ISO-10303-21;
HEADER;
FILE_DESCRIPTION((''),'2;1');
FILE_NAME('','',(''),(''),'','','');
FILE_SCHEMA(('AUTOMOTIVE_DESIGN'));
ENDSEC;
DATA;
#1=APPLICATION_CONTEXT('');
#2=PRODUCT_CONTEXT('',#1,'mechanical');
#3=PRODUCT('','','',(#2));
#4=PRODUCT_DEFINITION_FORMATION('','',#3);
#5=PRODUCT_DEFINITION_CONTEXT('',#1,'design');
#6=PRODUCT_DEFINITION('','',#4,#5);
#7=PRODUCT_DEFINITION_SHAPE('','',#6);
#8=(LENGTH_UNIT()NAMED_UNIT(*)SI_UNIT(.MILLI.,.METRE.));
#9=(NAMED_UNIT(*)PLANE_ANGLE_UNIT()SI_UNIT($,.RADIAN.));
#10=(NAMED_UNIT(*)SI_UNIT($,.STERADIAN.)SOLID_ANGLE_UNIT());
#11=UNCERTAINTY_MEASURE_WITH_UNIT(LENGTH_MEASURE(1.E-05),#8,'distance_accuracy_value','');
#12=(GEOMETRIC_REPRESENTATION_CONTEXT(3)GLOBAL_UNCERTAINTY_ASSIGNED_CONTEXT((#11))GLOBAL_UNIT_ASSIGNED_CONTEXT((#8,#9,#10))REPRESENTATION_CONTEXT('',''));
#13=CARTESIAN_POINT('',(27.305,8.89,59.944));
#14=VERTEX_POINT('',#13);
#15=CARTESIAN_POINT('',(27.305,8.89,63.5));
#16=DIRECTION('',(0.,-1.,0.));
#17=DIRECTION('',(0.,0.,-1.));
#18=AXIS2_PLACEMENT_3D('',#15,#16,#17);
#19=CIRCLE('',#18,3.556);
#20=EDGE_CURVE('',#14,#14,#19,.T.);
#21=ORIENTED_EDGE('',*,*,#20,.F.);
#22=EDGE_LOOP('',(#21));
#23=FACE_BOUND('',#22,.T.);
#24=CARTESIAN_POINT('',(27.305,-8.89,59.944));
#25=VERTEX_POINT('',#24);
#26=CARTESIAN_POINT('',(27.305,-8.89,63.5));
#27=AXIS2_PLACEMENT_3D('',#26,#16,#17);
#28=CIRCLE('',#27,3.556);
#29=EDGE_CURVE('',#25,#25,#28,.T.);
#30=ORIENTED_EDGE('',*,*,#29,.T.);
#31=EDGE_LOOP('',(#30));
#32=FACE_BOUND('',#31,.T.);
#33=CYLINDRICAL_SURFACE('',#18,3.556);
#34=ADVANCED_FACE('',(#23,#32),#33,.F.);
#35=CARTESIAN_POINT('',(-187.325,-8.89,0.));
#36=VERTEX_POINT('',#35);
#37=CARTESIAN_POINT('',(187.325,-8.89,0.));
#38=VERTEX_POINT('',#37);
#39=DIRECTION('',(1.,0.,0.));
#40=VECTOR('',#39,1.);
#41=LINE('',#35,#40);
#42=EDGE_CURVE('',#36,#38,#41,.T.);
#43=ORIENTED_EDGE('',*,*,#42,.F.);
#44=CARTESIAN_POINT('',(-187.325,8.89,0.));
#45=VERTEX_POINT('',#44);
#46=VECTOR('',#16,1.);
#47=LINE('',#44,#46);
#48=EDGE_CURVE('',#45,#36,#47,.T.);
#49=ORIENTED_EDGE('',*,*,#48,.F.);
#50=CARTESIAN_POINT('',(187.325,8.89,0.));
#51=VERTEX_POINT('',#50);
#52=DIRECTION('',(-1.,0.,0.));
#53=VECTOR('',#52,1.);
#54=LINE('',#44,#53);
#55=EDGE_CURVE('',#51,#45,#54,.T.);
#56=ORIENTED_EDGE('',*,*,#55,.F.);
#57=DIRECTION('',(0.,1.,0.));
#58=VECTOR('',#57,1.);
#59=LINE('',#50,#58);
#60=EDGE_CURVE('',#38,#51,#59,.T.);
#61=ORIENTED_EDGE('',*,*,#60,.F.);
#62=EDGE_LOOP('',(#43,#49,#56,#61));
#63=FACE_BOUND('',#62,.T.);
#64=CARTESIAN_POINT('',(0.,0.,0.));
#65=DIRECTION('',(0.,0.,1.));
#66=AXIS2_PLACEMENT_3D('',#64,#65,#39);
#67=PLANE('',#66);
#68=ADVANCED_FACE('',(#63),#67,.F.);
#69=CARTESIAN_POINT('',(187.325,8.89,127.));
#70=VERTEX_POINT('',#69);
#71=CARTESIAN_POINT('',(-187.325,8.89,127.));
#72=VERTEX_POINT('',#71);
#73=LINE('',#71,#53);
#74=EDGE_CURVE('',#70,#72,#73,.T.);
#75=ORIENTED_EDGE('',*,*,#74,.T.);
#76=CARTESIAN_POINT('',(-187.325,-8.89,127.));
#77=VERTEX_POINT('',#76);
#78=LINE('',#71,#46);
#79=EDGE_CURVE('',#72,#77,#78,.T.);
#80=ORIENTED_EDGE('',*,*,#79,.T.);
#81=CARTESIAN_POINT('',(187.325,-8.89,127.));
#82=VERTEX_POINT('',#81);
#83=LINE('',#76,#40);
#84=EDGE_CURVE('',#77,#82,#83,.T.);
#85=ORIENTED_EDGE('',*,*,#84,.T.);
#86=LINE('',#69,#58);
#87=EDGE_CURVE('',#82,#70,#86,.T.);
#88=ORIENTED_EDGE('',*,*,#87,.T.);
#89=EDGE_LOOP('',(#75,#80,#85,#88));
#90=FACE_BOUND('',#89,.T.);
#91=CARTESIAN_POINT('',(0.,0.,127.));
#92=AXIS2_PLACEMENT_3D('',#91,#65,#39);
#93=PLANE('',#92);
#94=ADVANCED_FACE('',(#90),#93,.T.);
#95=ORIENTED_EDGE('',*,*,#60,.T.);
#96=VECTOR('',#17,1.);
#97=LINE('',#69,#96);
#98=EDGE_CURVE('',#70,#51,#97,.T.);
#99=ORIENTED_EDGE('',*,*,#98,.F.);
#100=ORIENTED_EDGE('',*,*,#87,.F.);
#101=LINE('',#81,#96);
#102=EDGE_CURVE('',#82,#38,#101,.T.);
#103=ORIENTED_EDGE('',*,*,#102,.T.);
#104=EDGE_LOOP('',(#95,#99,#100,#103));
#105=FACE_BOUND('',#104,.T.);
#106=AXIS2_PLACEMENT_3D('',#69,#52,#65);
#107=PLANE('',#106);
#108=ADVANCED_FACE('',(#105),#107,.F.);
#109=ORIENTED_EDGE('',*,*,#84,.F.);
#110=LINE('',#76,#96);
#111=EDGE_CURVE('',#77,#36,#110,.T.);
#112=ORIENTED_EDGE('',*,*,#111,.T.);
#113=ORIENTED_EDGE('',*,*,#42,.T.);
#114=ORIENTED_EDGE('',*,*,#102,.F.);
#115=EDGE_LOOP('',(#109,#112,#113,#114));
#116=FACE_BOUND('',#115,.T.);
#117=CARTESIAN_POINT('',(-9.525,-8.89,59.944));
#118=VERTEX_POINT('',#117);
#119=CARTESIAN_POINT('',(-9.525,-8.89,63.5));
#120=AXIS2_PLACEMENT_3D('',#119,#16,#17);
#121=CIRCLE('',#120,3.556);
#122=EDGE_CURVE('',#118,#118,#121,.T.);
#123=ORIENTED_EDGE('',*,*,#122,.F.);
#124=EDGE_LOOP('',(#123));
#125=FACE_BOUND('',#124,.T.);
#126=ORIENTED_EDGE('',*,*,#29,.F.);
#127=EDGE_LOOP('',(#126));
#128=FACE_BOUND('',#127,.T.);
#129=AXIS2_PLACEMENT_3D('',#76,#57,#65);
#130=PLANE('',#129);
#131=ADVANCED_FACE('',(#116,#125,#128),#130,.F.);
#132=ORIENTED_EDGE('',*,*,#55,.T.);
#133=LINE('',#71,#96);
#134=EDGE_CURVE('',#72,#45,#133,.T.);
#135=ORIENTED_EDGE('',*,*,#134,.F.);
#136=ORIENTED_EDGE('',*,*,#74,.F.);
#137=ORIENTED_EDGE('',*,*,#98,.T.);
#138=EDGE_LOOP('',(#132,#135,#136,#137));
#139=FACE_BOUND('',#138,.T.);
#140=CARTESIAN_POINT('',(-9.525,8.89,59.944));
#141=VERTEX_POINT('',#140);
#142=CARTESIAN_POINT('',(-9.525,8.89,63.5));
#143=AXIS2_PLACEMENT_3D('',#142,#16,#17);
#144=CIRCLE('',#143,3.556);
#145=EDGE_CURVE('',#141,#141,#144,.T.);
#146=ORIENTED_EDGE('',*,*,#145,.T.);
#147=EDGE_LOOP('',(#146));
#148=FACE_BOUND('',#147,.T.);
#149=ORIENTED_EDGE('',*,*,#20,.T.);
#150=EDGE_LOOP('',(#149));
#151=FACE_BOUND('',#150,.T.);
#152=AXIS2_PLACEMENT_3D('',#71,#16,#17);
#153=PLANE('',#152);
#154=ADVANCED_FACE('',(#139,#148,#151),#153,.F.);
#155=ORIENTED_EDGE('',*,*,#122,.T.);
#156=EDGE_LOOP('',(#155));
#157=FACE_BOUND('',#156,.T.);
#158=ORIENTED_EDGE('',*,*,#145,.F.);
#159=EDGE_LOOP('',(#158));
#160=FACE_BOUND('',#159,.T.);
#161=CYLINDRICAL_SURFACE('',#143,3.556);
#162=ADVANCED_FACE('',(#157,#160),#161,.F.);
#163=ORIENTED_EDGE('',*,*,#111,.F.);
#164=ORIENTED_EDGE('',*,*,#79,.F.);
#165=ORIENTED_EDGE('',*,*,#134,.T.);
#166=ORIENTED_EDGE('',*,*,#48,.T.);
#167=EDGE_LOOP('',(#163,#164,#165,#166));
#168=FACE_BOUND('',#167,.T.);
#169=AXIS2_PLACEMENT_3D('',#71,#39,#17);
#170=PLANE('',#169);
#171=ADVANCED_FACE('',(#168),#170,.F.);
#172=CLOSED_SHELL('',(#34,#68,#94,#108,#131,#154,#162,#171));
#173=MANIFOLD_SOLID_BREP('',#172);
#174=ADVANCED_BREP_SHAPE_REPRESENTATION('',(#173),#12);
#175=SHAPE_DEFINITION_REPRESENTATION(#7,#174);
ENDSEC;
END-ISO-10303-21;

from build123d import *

# Parameters (mm, degrees)
SKETCH1_W           = 374.65
SKETCH1_H           = 17.78
BOSS_EXTRUDE1_DEPTH = 127
SKETCH2_R           = 3.556
CUT_EXTRUDE1_DEPTH  = 228.014942295


with BuildPart() as part:
    # Sketch1 → Boss-Extrude1 (new body)
    with BuildSketch(Plane.XY):
        Rectangle(SKETCH1_W, SKETCH1_H)
    extrude(amount=BOSS_EXTRUDE1_DEPTH)

    # Sketch2 → Cut-Extrude1 (cut, through all)
    with BuildSketch(Plane.XZ.offset(8.89)):
        with Locations(Location((-9.525, 63.5, 0), (0, 0, 270))):
            Circle(SKETCH2_R)
        with Locations(Location((27.305, 63.5, 0), (0, 0, 270))):
            Circle(SKETCH2_R)
    extrude(amount=-CUT_EXTRUDE1_DEPTH, mode=Mode.SUBTRACT)


solid = part.part
